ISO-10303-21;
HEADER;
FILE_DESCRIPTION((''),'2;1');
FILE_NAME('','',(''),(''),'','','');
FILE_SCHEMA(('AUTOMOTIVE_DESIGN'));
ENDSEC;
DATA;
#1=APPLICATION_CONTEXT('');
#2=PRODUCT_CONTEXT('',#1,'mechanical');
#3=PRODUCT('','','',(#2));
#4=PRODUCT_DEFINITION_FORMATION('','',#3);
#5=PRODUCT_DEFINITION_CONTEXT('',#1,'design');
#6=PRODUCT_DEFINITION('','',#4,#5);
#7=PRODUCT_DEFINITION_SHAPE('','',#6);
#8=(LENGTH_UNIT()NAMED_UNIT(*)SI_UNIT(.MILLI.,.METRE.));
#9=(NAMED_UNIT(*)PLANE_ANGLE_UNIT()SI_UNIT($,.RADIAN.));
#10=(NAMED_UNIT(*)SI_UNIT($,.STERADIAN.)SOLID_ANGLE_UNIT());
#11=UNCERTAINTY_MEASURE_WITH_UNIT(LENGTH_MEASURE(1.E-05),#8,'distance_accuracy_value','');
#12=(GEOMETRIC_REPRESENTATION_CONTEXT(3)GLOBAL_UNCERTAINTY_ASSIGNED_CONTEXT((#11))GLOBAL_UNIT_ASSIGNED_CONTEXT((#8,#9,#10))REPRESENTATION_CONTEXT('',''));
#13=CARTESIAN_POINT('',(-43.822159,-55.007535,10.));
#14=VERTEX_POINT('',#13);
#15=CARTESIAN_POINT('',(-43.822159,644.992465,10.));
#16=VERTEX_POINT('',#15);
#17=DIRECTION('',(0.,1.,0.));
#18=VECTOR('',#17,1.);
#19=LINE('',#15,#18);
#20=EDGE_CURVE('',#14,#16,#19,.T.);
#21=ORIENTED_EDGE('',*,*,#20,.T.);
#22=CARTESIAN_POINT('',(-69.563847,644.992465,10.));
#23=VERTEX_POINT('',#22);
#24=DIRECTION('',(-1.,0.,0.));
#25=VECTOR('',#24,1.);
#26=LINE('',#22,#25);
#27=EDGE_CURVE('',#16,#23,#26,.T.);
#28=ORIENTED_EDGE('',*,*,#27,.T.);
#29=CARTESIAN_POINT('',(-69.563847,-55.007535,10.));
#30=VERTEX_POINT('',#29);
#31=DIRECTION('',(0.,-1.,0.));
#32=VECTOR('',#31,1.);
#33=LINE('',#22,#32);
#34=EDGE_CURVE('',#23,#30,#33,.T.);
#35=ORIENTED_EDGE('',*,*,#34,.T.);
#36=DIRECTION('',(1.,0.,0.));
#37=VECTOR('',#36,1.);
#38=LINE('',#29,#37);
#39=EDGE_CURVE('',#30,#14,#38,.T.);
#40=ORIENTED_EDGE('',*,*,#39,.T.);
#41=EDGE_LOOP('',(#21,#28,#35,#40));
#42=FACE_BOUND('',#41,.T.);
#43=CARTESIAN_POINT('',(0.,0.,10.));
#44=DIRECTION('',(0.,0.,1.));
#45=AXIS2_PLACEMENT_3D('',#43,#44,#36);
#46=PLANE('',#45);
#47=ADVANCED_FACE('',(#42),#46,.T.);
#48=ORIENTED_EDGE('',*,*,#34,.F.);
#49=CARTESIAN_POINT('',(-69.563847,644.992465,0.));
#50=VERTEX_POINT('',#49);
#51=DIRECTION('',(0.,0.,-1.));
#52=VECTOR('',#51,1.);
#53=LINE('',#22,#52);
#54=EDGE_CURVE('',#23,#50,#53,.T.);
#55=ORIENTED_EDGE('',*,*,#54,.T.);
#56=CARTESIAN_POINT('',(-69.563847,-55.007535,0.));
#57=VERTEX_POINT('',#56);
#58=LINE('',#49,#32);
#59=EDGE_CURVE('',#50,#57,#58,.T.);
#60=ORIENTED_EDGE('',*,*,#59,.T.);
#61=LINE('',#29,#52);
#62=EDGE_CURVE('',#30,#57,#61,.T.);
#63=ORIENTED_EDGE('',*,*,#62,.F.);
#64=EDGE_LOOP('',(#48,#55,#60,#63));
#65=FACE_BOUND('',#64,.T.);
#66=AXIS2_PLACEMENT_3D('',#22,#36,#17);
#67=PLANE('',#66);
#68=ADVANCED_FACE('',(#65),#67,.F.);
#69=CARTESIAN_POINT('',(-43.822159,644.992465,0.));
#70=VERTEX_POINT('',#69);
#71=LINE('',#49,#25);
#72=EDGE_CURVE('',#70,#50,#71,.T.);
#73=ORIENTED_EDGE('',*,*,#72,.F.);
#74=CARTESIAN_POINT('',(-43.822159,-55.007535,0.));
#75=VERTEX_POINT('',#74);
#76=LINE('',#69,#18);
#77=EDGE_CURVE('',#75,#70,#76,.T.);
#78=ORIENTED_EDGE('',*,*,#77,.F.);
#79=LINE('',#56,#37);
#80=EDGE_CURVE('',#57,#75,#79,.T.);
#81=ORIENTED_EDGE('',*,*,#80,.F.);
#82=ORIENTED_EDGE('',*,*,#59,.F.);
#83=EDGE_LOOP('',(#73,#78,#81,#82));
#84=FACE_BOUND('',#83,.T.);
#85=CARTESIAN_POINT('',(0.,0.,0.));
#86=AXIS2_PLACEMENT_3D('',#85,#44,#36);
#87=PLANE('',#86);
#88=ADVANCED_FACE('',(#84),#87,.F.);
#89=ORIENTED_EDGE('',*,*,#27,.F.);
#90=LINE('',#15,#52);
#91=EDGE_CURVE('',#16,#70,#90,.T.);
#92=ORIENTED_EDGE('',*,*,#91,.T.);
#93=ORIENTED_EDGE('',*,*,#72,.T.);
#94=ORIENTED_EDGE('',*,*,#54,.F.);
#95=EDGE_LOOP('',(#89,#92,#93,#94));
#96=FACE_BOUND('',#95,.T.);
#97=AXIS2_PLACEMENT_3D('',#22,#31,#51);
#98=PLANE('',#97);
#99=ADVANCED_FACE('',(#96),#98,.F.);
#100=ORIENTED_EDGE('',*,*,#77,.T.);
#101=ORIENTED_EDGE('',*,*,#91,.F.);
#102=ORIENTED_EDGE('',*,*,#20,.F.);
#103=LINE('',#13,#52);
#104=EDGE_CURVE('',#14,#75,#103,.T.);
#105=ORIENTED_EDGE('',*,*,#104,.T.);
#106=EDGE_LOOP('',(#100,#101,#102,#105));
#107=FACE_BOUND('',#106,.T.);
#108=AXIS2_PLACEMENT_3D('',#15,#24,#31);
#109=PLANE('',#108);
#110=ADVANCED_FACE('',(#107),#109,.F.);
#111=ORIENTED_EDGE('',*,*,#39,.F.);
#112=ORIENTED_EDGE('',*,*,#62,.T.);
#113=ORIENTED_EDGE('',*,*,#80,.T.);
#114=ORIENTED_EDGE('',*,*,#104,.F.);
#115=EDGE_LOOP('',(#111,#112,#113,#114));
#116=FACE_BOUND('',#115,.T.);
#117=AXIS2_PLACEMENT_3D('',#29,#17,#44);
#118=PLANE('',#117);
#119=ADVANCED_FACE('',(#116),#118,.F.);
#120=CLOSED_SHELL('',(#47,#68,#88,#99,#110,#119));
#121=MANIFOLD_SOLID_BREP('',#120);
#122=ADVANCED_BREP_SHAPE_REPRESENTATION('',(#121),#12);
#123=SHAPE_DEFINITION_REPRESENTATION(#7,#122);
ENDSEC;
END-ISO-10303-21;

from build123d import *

# Parameters (mm, degrees)
SKETCH1_W           = 25.741687798
SKETCH1_H           = 700
BOSS_EXTRUDE1_DEPTH = 10


with BuildPart() as part:
    # Sketch1 → Boss-Extrude1 (new body)
    with BuildSketch(Plane.XY):
        with Locations((-56.693002888, 294.992464765)):
            Rectangle(SKETCH1_W, SKETCH1_H)
    extrude(amount=BOSS_EXTRUDE1_DEPTH)


solid = part.part
